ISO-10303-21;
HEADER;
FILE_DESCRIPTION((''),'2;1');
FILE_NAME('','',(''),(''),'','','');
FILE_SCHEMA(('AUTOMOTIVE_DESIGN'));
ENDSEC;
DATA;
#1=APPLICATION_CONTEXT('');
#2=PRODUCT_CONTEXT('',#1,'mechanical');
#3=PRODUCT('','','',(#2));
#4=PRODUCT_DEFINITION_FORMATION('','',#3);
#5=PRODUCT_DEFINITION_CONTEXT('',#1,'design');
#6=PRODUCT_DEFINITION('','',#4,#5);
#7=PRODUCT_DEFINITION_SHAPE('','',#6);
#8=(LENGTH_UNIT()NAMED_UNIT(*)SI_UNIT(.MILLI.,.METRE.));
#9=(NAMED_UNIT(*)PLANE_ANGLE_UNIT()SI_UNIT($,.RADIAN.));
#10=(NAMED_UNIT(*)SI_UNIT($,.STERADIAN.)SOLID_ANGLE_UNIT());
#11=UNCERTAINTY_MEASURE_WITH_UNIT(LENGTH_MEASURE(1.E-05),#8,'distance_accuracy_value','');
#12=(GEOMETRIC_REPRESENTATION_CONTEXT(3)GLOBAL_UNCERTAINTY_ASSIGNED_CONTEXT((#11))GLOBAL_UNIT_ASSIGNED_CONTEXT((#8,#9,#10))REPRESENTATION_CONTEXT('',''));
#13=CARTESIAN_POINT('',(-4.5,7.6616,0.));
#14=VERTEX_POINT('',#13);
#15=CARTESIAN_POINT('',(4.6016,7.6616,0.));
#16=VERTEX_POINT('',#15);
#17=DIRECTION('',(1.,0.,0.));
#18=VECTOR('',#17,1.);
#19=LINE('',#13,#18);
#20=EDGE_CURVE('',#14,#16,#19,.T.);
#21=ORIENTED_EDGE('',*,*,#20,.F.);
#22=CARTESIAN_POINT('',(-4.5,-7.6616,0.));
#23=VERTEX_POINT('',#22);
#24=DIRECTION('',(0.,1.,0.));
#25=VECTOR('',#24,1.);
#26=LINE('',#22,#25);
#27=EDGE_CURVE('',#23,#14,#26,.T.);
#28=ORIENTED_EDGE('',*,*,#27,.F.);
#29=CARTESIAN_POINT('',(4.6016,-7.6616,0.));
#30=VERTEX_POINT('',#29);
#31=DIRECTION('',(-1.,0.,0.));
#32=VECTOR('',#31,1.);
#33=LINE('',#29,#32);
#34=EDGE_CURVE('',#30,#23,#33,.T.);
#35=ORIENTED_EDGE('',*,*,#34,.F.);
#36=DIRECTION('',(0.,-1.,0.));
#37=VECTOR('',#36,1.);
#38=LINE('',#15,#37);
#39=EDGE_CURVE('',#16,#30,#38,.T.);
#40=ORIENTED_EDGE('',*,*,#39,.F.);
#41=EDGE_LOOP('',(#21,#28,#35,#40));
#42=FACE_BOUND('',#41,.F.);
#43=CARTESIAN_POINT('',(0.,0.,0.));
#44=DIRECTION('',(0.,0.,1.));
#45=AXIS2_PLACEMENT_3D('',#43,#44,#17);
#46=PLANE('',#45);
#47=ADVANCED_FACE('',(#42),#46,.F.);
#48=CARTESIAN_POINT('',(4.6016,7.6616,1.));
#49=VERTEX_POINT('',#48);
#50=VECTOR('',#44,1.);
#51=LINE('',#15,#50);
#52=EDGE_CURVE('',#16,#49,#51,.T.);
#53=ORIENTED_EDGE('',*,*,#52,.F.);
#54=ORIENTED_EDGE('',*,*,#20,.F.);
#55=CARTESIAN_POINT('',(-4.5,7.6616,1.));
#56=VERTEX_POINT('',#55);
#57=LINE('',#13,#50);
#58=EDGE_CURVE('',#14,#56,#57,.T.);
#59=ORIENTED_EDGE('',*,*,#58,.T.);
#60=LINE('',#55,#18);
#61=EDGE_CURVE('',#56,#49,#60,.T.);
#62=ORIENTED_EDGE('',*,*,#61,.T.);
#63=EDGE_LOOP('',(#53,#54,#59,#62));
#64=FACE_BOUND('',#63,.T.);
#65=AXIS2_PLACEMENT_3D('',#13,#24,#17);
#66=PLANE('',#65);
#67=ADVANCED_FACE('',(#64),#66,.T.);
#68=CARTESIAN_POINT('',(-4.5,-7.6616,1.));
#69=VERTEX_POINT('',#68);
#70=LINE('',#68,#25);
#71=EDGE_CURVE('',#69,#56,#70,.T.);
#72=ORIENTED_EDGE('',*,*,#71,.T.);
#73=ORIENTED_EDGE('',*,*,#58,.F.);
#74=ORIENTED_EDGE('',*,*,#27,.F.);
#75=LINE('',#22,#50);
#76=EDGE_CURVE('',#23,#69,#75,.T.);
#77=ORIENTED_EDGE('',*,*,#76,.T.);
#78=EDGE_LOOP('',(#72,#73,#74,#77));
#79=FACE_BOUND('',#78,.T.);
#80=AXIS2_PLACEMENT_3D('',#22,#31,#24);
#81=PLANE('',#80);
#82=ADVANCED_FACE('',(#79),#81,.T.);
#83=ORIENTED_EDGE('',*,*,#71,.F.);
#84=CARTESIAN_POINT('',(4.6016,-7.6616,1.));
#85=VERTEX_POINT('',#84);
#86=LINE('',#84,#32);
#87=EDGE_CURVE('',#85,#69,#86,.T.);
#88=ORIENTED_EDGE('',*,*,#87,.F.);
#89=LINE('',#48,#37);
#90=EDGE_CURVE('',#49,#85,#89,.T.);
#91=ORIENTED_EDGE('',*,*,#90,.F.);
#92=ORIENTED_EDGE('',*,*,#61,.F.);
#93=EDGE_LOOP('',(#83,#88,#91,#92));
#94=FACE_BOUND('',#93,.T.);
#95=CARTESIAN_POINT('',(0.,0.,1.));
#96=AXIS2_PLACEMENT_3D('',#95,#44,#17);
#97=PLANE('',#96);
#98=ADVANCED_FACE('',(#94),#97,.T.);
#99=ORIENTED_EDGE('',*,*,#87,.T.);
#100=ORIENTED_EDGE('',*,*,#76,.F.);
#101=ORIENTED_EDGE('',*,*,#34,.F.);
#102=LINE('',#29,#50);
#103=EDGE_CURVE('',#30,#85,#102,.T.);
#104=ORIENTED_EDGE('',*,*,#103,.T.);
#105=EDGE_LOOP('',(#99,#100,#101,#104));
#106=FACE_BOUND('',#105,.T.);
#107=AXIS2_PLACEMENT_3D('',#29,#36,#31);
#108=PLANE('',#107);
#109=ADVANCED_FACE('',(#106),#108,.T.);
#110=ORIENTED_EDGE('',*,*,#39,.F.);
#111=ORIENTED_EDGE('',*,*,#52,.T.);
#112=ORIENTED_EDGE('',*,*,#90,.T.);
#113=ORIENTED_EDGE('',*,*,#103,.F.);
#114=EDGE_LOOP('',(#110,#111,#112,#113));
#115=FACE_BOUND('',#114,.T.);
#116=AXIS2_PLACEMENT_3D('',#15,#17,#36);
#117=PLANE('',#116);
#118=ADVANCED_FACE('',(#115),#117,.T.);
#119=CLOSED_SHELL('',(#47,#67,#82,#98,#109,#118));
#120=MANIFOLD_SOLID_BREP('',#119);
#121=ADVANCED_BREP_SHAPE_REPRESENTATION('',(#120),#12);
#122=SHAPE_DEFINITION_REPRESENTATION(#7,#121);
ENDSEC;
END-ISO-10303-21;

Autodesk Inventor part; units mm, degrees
ref_plane "YZ Plane" through (0, 0, 0) normal (1, 0, 0) x (0, 1, 0)
ref_plane "XZ Plane" through (0, 0, 0) normal (0, 1, 0) x (-1, 0, 0)
ref_plane "XY Plane" through (0, 0, 0) normal (0, 0, 1) x (1, 0, 0)
sketch "2X3-SHROUDED, J2_2X3-SHROUDED_52" plane through (0, 0, 0) normal (0, 0, 1) x (1, 0, 0)
  line L0 (-4.5, 7.6616) -> (4.6016, 7.6616)
  line L1 (4.6016, 7.6616) -> (4.6016, -7.6616)
  line L2 (4.6016, -7.6616) -> (-4.5, -7.6616)
  line L3 (-4.5, -7.6616) -> (-4.5, 7.6616)
extrude "Extrusion1" add sketch "2X3-SHROUDED, J2_2X3-SHROUDED_52" along normal blind 1
properties part number "J2_2X3-SHROUDED"
